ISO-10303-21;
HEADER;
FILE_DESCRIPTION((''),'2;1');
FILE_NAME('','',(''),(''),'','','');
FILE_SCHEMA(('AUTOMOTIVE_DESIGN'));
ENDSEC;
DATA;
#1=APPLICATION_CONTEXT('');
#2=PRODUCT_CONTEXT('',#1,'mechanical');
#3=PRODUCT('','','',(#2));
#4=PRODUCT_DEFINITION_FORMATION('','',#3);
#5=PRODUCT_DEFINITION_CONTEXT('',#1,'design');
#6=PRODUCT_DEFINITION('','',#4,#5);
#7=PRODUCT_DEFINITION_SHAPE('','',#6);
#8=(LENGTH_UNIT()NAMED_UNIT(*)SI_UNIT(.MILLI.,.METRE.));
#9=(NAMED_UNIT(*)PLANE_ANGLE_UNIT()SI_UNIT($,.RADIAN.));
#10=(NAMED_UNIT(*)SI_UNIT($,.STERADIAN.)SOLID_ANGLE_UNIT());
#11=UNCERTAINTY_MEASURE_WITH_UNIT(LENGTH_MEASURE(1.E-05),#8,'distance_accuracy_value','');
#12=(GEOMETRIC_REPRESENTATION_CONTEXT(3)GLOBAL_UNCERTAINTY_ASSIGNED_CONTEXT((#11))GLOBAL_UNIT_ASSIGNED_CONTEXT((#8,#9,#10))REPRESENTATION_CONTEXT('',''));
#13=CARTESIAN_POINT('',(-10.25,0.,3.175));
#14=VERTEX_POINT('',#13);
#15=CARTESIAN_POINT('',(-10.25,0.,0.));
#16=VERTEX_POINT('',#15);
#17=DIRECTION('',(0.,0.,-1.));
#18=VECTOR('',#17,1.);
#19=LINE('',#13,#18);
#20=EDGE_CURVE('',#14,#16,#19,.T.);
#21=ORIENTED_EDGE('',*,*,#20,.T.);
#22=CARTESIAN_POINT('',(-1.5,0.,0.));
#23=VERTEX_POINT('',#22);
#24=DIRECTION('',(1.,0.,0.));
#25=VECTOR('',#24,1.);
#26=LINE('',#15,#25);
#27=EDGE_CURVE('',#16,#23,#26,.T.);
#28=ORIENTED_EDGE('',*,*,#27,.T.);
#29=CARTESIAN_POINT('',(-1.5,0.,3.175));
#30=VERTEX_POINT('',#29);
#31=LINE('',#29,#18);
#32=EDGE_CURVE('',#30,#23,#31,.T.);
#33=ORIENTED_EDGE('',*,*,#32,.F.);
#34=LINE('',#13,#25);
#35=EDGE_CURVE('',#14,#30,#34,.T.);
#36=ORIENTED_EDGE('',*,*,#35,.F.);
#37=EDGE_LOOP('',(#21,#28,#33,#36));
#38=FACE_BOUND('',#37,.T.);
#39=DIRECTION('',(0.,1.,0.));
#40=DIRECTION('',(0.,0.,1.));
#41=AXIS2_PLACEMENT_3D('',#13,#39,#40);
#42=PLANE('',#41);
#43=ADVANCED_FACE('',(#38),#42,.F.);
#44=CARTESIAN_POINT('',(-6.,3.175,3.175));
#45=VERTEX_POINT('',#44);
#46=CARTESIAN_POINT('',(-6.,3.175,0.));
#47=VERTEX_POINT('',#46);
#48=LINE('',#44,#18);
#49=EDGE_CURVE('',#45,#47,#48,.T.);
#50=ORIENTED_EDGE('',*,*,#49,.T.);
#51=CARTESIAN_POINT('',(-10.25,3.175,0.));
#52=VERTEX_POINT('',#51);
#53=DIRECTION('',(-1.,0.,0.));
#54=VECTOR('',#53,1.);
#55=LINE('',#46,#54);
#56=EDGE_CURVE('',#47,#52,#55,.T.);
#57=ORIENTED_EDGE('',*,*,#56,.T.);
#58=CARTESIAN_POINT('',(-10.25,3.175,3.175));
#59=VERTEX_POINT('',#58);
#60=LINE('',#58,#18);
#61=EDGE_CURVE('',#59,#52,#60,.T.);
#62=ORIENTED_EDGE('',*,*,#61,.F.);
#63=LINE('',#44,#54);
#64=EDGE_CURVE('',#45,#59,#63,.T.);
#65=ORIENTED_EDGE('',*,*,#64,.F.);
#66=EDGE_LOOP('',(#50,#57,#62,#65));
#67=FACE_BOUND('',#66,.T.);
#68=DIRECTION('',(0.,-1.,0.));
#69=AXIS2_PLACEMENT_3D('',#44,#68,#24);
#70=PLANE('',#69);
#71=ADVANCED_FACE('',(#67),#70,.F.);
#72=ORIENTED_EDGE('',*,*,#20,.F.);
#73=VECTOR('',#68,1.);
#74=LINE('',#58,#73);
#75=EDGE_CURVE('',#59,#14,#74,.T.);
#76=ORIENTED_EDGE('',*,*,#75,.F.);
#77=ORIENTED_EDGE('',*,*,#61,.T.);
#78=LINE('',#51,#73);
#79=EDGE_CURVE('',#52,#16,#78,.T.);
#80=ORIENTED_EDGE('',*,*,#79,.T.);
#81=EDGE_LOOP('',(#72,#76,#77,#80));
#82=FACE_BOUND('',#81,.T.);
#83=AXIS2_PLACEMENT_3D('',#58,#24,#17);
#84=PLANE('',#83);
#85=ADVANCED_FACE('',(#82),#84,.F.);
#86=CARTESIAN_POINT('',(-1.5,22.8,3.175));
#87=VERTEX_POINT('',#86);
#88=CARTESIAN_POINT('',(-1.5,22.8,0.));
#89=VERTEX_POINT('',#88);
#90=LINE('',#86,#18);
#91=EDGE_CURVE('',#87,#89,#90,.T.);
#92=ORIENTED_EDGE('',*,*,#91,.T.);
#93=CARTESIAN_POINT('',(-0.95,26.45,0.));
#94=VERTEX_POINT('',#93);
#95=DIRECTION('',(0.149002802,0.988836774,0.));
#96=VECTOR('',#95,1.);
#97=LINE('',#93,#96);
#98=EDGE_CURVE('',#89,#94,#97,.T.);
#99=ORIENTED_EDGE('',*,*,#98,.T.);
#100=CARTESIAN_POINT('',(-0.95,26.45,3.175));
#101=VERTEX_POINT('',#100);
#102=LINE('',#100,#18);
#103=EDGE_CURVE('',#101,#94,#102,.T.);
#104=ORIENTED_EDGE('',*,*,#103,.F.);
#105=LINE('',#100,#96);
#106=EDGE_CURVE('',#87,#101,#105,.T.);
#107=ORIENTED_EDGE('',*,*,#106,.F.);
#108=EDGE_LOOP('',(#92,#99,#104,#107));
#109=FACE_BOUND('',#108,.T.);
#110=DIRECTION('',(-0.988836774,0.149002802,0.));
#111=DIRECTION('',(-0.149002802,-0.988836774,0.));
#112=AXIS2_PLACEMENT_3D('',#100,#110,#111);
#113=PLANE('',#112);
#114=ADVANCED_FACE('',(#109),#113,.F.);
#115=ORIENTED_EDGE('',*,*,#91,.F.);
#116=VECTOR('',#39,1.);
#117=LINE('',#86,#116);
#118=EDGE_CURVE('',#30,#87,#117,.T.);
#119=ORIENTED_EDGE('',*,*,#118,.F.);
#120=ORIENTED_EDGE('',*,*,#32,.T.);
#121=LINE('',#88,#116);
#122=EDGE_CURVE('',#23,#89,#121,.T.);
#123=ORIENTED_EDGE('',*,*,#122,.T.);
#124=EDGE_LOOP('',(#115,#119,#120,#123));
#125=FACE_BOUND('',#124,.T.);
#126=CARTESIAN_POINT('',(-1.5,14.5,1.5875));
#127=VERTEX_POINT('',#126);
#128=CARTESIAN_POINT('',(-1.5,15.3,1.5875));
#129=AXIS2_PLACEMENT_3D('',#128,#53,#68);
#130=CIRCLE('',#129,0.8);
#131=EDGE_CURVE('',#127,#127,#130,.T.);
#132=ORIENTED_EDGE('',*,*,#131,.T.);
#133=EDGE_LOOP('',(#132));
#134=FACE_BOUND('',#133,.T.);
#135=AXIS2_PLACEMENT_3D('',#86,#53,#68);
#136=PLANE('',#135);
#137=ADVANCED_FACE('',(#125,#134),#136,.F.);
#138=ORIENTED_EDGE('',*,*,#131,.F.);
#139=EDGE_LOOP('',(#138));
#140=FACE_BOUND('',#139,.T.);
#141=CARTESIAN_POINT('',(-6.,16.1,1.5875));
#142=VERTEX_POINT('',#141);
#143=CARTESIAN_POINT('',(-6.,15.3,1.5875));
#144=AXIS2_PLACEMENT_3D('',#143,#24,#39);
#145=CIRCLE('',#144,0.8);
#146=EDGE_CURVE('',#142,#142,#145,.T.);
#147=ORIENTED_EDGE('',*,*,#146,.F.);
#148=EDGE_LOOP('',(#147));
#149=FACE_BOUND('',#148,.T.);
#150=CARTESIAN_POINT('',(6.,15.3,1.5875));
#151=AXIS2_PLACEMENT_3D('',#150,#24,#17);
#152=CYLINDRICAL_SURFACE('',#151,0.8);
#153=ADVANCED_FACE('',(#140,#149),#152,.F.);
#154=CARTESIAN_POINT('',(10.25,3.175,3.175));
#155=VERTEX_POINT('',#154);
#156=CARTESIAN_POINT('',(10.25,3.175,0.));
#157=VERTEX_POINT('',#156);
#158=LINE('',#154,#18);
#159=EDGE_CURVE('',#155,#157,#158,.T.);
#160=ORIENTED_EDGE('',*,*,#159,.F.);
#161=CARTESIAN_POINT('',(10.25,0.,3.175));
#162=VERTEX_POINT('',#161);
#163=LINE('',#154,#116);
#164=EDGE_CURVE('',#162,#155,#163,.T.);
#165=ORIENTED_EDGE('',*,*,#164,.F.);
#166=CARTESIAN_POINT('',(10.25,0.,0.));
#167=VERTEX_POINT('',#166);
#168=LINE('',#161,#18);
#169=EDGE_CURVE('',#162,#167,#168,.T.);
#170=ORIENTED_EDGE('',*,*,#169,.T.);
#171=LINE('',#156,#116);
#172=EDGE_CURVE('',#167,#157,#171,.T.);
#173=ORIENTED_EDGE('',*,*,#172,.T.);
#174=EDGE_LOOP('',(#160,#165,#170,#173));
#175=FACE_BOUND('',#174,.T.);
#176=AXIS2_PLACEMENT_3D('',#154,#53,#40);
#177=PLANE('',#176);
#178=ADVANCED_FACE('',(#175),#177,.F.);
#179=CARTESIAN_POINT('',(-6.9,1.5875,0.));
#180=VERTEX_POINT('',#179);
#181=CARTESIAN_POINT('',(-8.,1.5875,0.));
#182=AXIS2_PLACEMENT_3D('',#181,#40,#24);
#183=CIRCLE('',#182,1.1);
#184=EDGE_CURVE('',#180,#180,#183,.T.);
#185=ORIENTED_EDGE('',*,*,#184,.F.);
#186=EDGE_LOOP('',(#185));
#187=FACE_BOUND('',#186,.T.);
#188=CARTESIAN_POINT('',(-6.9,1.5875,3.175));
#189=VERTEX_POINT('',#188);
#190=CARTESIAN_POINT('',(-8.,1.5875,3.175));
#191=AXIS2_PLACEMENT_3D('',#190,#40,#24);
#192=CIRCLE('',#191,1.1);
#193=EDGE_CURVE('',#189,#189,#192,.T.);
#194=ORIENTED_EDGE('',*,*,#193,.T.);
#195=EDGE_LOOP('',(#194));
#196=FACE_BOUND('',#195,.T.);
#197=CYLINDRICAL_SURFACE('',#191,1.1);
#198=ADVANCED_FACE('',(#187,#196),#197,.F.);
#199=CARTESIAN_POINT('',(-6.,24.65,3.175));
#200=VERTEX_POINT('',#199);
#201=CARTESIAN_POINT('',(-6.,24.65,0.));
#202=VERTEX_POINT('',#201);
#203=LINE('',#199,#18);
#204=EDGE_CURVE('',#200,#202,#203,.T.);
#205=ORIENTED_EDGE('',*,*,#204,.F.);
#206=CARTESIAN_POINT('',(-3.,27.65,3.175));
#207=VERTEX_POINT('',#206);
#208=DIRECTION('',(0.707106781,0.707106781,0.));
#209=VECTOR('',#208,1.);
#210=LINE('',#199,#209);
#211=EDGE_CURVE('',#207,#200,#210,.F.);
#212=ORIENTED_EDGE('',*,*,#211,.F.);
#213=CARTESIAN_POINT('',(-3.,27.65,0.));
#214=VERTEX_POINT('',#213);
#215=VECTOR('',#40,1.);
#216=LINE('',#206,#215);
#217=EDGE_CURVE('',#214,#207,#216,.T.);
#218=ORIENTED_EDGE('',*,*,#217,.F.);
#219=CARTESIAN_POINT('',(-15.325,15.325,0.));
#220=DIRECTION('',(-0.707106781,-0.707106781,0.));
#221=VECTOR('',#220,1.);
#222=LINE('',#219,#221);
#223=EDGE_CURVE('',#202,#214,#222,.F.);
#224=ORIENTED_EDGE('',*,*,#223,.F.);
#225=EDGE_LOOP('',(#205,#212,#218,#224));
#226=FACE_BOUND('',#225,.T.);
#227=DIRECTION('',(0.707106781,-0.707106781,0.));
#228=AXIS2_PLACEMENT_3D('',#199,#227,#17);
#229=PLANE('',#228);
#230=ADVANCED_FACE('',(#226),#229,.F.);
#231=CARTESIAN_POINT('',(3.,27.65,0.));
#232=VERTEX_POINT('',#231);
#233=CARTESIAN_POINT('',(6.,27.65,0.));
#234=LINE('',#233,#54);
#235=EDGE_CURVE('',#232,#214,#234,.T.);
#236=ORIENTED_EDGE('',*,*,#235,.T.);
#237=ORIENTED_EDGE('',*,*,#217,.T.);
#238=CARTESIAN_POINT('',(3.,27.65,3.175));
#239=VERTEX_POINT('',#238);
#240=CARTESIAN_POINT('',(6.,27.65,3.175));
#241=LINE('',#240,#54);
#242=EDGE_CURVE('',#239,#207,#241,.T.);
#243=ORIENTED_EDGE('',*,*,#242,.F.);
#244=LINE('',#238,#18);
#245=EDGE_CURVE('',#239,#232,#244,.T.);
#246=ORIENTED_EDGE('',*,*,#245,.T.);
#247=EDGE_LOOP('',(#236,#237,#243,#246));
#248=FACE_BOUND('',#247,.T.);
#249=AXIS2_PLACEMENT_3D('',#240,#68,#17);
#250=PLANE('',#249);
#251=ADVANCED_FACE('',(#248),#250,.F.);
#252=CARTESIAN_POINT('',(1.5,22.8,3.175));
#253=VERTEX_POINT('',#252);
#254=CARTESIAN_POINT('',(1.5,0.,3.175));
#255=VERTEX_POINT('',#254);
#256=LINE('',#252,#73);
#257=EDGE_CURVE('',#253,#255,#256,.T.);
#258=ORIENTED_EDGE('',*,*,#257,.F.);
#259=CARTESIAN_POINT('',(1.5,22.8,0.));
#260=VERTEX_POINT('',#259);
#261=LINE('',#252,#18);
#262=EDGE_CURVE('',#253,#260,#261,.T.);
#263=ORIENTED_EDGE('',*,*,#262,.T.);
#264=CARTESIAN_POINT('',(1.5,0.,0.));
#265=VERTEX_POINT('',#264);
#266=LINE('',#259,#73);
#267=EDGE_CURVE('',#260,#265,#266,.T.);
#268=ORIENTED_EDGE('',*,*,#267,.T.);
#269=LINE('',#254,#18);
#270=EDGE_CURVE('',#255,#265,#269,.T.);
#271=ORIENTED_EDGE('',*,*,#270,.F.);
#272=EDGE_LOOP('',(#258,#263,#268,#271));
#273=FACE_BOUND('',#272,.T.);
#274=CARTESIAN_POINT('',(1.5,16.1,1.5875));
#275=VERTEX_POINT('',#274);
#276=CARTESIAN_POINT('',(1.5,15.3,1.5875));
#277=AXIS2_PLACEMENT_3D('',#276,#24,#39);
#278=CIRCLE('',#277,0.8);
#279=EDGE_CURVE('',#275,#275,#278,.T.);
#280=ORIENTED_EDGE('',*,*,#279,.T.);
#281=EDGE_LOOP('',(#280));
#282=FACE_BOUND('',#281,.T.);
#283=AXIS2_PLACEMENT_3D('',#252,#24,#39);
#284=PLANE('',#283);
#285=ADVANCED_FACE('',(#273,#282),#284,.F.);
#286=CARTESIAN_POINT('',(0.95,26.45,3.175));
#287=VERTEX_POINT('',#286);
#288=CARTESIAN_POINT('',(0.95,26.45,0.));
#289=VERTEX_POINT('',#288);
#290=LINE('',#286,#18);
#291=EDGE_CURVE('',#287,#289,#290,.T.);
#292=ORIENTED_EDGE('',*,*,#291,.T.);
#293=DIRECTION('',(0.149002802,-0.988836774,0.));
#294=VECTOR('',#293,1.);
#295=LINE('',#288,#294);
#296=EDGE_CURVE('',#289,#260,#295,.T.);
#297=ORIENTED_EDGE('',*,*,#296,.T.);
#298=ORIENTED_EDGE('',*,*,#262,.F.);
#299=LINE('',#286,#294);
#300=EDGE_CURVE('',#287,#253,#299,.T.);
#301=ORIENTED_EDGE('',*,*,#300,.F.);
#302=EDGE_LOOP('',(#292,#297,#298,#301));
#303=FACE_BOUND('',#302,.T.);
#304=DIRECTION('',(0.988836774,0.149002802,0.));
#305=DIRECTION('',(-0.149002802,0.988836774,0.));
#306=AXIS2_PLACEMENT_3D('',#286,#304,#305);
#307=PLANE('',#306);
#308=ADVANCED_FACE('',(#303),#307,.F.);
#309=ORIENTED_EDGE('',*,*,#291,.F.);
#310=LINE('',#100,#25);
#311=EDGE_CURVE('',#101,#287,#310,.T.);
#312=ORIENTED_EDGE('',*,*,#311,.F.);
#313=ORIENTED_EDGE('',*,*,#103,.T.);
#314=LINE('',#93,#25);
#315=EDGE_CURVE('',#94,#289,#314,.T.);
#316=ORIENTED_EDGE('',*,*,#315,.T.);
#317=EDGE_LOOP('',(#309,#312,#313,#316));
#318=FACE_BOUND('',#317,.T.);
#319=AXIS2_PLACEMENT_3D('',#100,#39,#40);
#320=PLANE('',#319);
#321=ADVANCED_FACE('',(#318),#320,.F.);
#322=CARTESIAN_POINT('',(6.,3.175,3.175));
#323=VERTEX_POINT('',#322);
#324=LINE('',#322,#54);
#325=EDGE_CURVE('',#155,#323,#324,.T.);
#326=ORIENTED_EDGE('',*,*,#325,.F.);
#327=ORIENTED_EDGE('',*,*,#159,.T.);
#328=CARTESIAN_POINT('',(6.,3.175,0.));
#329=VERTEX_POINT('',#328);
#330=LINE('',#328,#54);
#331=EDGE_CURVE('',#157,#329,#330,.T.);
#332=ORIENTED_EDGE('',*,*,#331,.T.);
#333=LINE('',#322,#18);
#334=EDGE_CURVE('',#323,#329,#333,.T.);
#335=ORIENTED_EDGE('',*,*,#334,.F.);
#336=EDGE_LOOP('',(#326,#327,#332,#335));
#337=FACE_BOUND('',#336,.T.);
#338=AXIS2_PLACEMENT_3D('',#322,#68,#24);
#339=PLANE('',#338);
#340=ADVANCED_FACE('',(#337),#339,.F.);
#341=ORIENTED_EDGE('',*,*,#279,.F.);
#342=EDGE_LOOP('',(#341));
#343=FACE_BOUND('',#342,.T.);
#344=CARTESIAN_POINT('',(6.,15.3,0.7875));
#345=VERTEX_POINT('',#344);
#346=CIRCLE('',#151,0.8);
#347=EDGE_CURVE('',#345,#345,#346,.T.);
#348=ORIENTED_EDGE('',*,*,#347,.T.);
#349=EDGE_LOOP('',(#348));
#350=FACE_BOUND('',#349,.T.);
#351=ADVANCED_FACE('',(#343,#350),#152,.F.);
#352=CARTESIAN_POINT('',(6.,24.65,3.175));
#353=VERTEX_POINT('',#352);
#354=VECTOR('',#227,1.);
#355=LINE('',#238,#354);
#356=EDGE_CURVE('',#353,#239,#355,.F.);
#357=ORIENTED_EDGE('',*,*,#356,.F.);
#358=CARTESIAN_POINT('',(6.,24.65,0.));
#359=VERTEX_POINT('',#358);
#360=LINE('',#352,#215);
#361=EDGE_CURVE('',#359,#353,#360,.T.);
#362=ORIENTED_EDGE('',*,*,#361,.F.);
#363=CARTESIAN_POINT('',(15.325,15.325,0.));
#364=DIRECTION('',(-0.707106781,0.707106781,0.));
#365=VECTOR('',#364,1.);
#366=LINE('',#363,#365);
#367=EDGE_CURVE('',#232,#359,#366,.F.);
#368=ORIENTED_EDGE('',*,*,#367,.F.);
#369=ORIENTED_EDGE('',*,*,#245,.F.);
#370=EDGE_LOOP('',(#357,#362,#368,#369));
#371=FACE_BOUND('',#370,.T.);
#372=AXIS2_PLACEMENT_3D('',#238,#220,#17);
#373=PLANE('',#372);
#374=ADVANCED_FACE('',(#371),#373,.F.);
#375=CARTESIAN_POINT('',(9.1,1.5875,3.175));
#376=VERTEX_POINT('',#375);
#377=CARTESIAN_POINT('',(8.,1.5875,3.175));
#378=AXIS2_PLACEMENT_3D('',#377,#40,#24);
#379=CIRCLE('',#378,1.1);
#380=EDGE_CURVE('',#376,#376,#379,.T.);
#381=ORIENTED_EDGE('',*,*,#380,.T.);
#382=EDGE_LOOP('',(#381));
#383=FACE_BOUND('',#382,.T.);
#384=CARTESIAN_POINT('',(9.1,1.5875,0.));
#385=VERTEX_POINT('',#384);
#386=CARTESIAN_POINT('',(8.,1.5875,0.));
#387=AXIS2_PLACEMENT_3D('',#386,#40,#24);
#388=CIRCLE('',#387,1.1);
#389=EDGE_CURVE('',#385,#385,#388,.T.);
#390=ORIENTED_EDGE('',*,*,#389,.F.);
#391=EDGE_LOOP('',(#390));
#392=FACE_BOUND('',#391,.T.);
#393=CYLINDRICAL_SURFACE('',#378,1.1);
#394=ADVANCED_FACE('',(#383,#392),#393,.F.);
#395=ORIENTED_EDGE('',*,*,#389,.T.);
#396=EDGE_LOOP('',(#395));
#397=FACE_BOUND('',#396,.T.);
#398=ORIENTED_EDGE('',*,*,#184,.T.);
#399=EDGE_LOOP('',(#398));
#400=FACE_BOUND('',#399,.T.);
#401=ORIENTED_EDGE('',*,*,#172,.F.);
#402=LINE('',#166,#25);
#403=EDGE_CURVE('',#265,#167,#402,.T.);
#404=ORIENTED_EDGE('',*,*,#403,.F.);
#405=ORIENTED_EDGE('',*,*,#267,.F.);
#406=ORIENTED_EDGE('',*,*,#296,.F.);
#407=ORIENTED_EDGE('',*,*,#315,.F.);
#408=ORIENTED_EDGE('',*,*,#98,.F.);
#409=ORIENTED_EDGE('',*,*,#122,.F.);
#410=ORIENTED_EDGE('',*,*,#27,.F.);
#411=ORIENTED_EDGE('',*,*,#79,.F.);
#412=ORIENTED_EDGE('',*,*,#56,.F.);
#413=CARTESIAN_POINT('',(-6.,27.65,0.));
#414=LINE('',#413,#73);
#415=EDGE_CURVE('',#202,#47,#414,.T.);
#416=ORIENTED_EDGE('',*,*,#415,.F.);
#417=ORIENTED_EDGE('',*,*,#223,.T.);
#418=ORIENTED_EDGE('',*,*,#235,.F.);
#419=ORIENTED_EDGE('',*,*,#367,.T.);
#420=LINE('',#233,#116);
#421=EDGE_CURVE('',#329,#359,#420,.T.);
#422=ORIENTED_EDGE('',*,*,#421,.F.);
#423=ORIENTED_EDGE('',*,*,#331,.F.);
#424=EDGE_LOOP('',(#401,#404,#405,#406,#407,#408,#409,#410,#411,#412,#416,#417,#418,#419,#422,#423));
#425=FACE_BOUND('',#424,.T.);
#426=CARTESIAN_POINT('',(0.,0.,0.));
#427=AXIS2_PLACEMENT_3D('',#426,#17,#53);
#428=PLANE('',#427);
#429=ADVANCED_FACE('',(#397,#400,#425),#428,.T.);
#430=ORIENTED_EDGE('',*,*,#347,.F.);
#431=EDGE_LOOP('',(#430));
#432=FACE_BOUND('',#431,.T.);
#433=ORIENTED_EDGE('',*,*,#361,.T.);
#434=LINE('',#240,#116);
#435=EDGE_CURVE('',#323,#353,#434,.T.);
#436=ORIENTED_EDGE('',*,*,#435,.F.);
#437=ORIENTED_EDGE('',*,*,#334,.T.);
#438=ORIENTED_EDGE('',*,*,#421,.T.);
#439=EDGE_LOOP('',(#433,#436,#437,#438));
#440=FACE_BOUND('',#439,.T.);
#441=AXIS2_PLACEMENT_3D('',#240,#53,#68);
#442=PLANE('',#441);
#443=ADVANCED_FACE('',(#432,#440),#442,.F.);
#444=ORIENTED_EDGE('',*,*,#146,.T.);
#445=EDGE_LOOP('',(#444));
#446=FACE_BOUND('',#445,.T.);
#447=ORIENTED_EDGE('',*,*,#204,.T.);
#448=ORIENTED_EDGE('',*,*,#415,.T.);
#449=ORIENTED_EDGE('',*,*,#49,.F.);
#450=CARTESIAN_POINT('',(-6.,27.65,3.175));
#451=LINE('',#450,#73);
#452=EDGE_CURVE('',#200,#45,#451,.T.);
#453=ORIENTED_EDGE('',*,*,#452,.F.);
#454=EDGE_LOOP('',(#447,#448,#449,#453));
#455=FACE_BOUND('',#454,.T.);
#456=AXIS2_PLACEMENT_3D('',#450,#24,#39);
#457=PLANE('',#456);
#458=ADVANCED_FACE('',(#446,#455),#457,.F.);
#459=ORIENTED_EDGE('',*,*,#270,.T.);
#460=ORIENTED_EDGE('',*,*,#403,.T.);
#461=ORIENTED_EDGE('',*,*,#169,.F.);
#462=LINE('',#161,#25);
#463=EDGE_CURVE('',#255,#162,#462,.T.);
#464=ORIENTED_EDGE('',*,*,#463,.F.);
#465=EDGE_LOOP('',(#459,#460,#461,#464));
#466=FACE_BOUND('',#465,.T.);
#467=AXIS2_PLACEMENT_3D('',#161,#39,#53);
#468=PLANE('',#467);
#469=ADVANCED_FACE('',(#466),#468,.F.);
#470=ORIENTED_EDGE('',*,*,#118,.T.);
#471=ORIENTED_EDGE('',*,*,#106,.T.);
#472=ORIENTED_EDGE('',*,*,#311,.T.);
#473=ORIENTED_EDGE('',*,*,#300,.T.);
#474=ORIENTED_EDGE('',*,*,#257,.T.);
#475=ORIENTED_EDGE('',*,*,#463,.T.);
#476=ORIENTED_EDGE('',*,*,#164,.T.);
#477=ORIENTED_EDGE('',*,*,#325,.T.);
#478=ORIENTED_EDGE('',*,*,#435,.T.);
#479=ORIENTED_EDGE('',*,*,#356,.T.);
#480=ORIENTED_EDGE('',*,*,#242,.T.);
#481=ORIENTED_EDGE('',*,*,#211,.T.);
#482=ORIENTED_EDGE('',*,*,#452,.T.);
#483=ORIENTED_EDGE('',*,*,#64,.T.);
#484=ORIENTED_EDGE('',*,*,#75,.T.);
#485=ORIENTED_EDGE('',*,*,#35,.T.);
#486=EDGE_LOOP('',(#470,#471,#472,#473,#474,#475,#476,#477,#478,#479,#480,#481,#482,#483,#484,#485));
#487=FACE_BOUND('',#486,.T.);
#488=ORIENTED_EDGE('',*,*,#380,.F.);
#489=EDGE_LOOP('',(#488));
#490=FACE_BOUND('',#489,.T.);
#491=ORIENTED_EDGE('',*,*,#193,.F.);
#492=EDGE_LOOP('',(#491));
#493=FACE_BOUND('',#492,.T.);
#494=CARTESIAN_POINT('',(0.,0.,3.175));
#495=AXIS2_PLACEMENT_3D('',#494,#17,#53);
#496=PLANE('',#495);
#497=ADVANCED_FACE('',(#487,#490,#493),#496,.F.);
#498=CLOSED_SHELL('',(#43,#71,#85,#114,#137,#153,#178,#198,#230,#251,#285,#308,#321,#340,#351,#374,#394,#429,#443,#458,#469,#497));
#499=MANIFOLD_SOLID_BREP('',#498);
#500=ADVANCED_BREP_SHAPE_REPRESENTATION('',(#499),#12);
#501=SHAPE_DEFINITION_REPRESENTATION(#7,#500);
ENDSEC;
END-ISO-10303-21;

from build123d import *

# Parameters (mm, degrees)
BOSS_EXTRUDE1_DEPTH         = 3.175
CHAMFER1_SIZE               = 3
TAP_DRILL_FOR_M2X0_4_TAP1_D = 1.6
M2_CLEARANCE_HOLE1_D        = 2.2


with BuildPart() as part:
    # Sketch1 → Boss-Extrude1 (new body)
    with BuildSketch(Plane.XY):
        Polygon((6, 27.65), (-6, 27.65), (-6, 3.175), (-10.25, 3.175), (-10.25, 0), (-1.5, 0), (-1.5, 22.8), (-0.95, 26.45), (0.95, 26.45), (1.5, 22.8), (1.5, 0), (10.25, 0), (10.25, 3.175), (6, 3.175), align=None)
    extrude(amount=BOSS_EXTRUDE1_DEPTH)

    # Chamfer1
    chamfer1_edges = [part.edges().sort_by_distance(p)[0] for p in [
        (-6, 27.65, 1.5875),
        (6, 27.65, 1.5875),
    ]]
    chamfer(chamfer1_edges, length=CHAMFER1_SIZE)

    # Tap Drill for M2x0.4 Tap1 (through all)
    with Locations(Plane(origin=(6, 0, 0), x_dir=(0, 0, -1), z_dir=(1, 0, 0))):
        with Locations((-1.5875, 15.3)):
            Hole(TAP_DRILL_FOR_M2X0_4_TAP1_D / 2)

    # M2 Clearance Hole1 (through all)
    with Locations(Plane.XY.offset(3.175)):
        with Locations((-8, 1.5875), (8, 1.5875)):
            Hole(M2_CLEARANCE_HOLE1_D / 2)


solid = part.part
